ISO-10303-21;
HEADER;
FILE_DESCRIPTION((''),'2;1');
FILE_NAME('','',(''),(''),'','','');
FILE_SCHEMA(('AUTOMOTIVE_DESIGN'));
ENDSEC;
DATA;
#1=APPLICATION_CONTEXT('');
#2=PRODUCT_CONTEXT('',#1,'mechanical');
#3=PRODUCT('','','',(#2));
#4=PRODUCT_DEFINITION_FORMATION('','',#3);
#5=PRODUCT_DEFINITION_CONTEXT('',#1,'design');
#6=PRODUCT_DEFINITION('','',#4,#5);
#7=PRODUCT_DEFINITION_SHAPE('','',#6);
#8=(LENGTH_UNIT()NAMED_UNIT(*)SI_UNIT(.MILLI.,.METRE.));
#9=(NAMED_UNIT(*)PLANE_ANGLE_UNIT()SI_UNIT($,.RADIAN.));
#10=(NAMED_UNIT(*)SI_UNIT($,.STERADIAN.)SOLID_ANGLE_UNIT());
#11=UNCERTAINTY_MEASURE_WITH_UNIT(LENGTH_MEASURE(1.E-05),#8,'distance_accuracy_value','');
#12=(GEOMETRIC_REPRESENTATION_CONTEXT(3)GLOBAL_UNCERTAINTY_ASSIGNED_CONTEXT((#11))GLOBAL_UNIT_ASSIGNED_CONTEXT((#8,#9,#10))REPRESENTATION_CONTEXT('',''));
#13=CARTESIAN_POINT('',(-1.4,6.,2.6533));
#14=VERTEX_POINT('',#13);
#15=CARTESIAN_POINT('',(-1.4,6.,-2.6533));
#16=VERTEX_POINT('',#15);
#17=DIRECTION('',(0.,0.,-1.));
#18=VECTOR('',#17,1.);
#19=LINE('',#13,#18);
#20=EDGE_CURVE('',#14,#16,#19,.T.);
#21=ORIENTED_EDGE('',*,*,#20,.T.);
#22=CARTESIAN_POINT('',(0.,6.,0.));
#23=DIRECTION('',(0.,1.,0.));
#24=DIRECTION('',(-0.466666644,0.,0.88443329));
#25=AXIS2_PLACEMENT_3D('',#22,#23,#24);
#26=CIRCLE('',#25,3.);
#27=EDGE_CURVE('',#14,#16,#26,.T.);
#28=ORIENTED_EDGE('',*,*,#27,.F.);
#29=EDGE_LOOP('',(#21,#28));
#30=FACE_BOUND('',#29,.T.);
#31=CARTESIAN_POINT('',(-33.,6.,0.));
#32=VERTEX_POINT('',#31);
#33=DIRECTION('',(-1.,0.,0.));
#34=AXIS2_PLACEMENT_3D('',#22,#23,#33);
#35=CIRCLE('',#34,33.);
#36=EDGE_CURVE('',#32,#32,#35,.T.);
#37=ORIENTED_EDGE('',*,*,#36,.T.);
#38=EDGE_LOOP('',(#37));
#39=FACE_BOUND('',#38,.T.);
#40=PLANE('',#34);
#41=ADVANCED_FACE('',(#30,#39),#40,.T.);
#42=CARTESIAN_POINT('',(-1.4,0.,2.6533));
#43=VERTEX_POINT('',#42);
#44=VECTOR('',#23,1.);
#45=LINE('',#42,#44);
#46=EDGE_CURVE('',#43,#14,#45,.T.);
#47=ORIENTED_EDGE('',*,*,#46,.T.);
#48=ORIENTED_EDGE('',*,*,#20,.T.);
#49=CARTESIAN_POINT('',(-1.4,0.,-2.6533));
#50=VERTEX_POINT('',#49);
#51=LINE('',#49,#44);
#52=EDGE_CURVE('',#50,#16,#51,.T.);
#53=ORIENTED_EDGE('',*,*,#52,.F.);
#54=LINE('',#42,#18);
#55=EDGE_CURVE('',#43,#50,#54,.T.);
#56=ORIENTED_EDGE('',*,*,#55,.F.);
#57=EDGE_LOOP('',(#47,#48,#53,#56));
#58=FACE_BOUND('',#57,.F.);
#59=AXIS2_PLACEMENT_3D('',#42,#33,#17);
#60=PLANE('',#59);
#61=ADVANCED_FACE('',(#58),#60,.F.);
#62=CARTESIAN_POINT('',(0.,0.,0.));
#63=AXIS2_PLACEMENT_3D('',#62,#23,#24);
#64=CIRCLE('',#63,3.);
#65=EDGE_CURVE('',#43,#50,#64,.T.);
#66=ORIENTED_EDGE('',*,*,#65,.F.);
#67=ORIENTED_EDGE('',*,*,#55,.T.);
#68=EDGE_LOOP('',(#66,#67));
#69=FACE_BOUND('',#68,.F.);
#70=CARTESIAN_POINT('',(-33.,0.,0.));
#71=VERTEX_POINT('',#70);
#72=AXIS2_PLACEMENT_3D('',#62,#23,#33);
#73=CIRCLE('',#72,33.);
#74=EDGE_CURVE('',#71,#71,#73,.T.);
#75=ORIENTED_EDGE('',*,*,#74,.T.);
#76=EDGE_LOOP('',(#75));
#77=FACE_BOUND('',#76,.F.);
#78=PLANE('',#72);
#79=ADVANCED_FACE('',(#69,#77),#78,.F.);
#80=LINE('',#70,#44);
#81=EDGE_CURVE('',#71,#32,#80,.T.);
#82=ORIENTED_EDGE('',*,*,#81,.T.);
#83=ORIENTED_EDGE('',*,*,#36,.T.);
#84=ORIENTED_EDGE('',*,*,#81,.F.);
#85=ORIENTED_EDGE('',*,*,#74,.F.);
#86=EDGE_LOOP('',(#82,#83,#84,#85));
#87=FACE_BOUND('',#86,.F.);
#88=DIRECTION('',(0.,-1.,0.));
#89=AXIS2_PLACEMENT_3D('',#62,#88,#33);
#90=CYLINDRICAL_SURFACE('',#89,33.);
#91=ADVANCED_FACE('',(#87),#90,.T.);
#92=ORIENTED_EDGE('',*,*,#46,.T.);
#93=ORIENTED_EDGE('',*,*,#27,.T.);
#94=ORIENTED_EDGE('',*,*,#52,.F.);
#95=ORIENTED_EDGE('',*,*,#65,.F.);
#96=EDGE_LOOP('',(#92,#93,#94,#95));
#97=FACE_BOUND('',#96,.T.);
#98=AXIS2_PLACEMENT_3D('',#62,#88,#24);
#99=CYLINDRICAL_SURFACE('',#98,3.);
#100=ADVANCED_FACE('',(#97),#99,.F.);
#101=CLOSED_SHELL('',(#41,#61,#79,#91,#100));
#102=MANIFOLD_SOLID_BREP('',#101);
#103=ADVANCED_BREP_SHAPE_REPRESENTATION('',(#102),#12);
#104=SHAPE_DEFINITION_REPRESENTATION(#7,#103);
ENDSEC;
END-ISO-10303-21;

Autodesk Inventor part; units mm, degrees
ref_plane "YZ Plane" through (0, 0, 0) normal (1, 0, 0) x (0, 1, 0)
ref_plane "XZ Plane" through (0, 0, 0) normal (0, 1, 0) x (-1, 0, 0)
ref_plane "XY Plane" through (0, 0, 0) normal (0, 0, 1) x (1, 0, 0)
sketch "草圖1" plane through (0, 0, 0) normal (0, 1, 0) x (-1, 0, 0)
  circle A0 centre (0, 0) radius 33
  arc A1 (1.4, 2.6533) -> (1.4, -2.6533) centre (0, 0) ccw
  line L0 (1.4, 2.6533) -> (1.4, -2.6533)
  dimension "d0" = 66
  dimension "d1" = 6
  dimension "d2" = 1.4
extrude "擠出1" add sketch "草圖1" along normal blind 6
properties part number "encoder_wheel"
